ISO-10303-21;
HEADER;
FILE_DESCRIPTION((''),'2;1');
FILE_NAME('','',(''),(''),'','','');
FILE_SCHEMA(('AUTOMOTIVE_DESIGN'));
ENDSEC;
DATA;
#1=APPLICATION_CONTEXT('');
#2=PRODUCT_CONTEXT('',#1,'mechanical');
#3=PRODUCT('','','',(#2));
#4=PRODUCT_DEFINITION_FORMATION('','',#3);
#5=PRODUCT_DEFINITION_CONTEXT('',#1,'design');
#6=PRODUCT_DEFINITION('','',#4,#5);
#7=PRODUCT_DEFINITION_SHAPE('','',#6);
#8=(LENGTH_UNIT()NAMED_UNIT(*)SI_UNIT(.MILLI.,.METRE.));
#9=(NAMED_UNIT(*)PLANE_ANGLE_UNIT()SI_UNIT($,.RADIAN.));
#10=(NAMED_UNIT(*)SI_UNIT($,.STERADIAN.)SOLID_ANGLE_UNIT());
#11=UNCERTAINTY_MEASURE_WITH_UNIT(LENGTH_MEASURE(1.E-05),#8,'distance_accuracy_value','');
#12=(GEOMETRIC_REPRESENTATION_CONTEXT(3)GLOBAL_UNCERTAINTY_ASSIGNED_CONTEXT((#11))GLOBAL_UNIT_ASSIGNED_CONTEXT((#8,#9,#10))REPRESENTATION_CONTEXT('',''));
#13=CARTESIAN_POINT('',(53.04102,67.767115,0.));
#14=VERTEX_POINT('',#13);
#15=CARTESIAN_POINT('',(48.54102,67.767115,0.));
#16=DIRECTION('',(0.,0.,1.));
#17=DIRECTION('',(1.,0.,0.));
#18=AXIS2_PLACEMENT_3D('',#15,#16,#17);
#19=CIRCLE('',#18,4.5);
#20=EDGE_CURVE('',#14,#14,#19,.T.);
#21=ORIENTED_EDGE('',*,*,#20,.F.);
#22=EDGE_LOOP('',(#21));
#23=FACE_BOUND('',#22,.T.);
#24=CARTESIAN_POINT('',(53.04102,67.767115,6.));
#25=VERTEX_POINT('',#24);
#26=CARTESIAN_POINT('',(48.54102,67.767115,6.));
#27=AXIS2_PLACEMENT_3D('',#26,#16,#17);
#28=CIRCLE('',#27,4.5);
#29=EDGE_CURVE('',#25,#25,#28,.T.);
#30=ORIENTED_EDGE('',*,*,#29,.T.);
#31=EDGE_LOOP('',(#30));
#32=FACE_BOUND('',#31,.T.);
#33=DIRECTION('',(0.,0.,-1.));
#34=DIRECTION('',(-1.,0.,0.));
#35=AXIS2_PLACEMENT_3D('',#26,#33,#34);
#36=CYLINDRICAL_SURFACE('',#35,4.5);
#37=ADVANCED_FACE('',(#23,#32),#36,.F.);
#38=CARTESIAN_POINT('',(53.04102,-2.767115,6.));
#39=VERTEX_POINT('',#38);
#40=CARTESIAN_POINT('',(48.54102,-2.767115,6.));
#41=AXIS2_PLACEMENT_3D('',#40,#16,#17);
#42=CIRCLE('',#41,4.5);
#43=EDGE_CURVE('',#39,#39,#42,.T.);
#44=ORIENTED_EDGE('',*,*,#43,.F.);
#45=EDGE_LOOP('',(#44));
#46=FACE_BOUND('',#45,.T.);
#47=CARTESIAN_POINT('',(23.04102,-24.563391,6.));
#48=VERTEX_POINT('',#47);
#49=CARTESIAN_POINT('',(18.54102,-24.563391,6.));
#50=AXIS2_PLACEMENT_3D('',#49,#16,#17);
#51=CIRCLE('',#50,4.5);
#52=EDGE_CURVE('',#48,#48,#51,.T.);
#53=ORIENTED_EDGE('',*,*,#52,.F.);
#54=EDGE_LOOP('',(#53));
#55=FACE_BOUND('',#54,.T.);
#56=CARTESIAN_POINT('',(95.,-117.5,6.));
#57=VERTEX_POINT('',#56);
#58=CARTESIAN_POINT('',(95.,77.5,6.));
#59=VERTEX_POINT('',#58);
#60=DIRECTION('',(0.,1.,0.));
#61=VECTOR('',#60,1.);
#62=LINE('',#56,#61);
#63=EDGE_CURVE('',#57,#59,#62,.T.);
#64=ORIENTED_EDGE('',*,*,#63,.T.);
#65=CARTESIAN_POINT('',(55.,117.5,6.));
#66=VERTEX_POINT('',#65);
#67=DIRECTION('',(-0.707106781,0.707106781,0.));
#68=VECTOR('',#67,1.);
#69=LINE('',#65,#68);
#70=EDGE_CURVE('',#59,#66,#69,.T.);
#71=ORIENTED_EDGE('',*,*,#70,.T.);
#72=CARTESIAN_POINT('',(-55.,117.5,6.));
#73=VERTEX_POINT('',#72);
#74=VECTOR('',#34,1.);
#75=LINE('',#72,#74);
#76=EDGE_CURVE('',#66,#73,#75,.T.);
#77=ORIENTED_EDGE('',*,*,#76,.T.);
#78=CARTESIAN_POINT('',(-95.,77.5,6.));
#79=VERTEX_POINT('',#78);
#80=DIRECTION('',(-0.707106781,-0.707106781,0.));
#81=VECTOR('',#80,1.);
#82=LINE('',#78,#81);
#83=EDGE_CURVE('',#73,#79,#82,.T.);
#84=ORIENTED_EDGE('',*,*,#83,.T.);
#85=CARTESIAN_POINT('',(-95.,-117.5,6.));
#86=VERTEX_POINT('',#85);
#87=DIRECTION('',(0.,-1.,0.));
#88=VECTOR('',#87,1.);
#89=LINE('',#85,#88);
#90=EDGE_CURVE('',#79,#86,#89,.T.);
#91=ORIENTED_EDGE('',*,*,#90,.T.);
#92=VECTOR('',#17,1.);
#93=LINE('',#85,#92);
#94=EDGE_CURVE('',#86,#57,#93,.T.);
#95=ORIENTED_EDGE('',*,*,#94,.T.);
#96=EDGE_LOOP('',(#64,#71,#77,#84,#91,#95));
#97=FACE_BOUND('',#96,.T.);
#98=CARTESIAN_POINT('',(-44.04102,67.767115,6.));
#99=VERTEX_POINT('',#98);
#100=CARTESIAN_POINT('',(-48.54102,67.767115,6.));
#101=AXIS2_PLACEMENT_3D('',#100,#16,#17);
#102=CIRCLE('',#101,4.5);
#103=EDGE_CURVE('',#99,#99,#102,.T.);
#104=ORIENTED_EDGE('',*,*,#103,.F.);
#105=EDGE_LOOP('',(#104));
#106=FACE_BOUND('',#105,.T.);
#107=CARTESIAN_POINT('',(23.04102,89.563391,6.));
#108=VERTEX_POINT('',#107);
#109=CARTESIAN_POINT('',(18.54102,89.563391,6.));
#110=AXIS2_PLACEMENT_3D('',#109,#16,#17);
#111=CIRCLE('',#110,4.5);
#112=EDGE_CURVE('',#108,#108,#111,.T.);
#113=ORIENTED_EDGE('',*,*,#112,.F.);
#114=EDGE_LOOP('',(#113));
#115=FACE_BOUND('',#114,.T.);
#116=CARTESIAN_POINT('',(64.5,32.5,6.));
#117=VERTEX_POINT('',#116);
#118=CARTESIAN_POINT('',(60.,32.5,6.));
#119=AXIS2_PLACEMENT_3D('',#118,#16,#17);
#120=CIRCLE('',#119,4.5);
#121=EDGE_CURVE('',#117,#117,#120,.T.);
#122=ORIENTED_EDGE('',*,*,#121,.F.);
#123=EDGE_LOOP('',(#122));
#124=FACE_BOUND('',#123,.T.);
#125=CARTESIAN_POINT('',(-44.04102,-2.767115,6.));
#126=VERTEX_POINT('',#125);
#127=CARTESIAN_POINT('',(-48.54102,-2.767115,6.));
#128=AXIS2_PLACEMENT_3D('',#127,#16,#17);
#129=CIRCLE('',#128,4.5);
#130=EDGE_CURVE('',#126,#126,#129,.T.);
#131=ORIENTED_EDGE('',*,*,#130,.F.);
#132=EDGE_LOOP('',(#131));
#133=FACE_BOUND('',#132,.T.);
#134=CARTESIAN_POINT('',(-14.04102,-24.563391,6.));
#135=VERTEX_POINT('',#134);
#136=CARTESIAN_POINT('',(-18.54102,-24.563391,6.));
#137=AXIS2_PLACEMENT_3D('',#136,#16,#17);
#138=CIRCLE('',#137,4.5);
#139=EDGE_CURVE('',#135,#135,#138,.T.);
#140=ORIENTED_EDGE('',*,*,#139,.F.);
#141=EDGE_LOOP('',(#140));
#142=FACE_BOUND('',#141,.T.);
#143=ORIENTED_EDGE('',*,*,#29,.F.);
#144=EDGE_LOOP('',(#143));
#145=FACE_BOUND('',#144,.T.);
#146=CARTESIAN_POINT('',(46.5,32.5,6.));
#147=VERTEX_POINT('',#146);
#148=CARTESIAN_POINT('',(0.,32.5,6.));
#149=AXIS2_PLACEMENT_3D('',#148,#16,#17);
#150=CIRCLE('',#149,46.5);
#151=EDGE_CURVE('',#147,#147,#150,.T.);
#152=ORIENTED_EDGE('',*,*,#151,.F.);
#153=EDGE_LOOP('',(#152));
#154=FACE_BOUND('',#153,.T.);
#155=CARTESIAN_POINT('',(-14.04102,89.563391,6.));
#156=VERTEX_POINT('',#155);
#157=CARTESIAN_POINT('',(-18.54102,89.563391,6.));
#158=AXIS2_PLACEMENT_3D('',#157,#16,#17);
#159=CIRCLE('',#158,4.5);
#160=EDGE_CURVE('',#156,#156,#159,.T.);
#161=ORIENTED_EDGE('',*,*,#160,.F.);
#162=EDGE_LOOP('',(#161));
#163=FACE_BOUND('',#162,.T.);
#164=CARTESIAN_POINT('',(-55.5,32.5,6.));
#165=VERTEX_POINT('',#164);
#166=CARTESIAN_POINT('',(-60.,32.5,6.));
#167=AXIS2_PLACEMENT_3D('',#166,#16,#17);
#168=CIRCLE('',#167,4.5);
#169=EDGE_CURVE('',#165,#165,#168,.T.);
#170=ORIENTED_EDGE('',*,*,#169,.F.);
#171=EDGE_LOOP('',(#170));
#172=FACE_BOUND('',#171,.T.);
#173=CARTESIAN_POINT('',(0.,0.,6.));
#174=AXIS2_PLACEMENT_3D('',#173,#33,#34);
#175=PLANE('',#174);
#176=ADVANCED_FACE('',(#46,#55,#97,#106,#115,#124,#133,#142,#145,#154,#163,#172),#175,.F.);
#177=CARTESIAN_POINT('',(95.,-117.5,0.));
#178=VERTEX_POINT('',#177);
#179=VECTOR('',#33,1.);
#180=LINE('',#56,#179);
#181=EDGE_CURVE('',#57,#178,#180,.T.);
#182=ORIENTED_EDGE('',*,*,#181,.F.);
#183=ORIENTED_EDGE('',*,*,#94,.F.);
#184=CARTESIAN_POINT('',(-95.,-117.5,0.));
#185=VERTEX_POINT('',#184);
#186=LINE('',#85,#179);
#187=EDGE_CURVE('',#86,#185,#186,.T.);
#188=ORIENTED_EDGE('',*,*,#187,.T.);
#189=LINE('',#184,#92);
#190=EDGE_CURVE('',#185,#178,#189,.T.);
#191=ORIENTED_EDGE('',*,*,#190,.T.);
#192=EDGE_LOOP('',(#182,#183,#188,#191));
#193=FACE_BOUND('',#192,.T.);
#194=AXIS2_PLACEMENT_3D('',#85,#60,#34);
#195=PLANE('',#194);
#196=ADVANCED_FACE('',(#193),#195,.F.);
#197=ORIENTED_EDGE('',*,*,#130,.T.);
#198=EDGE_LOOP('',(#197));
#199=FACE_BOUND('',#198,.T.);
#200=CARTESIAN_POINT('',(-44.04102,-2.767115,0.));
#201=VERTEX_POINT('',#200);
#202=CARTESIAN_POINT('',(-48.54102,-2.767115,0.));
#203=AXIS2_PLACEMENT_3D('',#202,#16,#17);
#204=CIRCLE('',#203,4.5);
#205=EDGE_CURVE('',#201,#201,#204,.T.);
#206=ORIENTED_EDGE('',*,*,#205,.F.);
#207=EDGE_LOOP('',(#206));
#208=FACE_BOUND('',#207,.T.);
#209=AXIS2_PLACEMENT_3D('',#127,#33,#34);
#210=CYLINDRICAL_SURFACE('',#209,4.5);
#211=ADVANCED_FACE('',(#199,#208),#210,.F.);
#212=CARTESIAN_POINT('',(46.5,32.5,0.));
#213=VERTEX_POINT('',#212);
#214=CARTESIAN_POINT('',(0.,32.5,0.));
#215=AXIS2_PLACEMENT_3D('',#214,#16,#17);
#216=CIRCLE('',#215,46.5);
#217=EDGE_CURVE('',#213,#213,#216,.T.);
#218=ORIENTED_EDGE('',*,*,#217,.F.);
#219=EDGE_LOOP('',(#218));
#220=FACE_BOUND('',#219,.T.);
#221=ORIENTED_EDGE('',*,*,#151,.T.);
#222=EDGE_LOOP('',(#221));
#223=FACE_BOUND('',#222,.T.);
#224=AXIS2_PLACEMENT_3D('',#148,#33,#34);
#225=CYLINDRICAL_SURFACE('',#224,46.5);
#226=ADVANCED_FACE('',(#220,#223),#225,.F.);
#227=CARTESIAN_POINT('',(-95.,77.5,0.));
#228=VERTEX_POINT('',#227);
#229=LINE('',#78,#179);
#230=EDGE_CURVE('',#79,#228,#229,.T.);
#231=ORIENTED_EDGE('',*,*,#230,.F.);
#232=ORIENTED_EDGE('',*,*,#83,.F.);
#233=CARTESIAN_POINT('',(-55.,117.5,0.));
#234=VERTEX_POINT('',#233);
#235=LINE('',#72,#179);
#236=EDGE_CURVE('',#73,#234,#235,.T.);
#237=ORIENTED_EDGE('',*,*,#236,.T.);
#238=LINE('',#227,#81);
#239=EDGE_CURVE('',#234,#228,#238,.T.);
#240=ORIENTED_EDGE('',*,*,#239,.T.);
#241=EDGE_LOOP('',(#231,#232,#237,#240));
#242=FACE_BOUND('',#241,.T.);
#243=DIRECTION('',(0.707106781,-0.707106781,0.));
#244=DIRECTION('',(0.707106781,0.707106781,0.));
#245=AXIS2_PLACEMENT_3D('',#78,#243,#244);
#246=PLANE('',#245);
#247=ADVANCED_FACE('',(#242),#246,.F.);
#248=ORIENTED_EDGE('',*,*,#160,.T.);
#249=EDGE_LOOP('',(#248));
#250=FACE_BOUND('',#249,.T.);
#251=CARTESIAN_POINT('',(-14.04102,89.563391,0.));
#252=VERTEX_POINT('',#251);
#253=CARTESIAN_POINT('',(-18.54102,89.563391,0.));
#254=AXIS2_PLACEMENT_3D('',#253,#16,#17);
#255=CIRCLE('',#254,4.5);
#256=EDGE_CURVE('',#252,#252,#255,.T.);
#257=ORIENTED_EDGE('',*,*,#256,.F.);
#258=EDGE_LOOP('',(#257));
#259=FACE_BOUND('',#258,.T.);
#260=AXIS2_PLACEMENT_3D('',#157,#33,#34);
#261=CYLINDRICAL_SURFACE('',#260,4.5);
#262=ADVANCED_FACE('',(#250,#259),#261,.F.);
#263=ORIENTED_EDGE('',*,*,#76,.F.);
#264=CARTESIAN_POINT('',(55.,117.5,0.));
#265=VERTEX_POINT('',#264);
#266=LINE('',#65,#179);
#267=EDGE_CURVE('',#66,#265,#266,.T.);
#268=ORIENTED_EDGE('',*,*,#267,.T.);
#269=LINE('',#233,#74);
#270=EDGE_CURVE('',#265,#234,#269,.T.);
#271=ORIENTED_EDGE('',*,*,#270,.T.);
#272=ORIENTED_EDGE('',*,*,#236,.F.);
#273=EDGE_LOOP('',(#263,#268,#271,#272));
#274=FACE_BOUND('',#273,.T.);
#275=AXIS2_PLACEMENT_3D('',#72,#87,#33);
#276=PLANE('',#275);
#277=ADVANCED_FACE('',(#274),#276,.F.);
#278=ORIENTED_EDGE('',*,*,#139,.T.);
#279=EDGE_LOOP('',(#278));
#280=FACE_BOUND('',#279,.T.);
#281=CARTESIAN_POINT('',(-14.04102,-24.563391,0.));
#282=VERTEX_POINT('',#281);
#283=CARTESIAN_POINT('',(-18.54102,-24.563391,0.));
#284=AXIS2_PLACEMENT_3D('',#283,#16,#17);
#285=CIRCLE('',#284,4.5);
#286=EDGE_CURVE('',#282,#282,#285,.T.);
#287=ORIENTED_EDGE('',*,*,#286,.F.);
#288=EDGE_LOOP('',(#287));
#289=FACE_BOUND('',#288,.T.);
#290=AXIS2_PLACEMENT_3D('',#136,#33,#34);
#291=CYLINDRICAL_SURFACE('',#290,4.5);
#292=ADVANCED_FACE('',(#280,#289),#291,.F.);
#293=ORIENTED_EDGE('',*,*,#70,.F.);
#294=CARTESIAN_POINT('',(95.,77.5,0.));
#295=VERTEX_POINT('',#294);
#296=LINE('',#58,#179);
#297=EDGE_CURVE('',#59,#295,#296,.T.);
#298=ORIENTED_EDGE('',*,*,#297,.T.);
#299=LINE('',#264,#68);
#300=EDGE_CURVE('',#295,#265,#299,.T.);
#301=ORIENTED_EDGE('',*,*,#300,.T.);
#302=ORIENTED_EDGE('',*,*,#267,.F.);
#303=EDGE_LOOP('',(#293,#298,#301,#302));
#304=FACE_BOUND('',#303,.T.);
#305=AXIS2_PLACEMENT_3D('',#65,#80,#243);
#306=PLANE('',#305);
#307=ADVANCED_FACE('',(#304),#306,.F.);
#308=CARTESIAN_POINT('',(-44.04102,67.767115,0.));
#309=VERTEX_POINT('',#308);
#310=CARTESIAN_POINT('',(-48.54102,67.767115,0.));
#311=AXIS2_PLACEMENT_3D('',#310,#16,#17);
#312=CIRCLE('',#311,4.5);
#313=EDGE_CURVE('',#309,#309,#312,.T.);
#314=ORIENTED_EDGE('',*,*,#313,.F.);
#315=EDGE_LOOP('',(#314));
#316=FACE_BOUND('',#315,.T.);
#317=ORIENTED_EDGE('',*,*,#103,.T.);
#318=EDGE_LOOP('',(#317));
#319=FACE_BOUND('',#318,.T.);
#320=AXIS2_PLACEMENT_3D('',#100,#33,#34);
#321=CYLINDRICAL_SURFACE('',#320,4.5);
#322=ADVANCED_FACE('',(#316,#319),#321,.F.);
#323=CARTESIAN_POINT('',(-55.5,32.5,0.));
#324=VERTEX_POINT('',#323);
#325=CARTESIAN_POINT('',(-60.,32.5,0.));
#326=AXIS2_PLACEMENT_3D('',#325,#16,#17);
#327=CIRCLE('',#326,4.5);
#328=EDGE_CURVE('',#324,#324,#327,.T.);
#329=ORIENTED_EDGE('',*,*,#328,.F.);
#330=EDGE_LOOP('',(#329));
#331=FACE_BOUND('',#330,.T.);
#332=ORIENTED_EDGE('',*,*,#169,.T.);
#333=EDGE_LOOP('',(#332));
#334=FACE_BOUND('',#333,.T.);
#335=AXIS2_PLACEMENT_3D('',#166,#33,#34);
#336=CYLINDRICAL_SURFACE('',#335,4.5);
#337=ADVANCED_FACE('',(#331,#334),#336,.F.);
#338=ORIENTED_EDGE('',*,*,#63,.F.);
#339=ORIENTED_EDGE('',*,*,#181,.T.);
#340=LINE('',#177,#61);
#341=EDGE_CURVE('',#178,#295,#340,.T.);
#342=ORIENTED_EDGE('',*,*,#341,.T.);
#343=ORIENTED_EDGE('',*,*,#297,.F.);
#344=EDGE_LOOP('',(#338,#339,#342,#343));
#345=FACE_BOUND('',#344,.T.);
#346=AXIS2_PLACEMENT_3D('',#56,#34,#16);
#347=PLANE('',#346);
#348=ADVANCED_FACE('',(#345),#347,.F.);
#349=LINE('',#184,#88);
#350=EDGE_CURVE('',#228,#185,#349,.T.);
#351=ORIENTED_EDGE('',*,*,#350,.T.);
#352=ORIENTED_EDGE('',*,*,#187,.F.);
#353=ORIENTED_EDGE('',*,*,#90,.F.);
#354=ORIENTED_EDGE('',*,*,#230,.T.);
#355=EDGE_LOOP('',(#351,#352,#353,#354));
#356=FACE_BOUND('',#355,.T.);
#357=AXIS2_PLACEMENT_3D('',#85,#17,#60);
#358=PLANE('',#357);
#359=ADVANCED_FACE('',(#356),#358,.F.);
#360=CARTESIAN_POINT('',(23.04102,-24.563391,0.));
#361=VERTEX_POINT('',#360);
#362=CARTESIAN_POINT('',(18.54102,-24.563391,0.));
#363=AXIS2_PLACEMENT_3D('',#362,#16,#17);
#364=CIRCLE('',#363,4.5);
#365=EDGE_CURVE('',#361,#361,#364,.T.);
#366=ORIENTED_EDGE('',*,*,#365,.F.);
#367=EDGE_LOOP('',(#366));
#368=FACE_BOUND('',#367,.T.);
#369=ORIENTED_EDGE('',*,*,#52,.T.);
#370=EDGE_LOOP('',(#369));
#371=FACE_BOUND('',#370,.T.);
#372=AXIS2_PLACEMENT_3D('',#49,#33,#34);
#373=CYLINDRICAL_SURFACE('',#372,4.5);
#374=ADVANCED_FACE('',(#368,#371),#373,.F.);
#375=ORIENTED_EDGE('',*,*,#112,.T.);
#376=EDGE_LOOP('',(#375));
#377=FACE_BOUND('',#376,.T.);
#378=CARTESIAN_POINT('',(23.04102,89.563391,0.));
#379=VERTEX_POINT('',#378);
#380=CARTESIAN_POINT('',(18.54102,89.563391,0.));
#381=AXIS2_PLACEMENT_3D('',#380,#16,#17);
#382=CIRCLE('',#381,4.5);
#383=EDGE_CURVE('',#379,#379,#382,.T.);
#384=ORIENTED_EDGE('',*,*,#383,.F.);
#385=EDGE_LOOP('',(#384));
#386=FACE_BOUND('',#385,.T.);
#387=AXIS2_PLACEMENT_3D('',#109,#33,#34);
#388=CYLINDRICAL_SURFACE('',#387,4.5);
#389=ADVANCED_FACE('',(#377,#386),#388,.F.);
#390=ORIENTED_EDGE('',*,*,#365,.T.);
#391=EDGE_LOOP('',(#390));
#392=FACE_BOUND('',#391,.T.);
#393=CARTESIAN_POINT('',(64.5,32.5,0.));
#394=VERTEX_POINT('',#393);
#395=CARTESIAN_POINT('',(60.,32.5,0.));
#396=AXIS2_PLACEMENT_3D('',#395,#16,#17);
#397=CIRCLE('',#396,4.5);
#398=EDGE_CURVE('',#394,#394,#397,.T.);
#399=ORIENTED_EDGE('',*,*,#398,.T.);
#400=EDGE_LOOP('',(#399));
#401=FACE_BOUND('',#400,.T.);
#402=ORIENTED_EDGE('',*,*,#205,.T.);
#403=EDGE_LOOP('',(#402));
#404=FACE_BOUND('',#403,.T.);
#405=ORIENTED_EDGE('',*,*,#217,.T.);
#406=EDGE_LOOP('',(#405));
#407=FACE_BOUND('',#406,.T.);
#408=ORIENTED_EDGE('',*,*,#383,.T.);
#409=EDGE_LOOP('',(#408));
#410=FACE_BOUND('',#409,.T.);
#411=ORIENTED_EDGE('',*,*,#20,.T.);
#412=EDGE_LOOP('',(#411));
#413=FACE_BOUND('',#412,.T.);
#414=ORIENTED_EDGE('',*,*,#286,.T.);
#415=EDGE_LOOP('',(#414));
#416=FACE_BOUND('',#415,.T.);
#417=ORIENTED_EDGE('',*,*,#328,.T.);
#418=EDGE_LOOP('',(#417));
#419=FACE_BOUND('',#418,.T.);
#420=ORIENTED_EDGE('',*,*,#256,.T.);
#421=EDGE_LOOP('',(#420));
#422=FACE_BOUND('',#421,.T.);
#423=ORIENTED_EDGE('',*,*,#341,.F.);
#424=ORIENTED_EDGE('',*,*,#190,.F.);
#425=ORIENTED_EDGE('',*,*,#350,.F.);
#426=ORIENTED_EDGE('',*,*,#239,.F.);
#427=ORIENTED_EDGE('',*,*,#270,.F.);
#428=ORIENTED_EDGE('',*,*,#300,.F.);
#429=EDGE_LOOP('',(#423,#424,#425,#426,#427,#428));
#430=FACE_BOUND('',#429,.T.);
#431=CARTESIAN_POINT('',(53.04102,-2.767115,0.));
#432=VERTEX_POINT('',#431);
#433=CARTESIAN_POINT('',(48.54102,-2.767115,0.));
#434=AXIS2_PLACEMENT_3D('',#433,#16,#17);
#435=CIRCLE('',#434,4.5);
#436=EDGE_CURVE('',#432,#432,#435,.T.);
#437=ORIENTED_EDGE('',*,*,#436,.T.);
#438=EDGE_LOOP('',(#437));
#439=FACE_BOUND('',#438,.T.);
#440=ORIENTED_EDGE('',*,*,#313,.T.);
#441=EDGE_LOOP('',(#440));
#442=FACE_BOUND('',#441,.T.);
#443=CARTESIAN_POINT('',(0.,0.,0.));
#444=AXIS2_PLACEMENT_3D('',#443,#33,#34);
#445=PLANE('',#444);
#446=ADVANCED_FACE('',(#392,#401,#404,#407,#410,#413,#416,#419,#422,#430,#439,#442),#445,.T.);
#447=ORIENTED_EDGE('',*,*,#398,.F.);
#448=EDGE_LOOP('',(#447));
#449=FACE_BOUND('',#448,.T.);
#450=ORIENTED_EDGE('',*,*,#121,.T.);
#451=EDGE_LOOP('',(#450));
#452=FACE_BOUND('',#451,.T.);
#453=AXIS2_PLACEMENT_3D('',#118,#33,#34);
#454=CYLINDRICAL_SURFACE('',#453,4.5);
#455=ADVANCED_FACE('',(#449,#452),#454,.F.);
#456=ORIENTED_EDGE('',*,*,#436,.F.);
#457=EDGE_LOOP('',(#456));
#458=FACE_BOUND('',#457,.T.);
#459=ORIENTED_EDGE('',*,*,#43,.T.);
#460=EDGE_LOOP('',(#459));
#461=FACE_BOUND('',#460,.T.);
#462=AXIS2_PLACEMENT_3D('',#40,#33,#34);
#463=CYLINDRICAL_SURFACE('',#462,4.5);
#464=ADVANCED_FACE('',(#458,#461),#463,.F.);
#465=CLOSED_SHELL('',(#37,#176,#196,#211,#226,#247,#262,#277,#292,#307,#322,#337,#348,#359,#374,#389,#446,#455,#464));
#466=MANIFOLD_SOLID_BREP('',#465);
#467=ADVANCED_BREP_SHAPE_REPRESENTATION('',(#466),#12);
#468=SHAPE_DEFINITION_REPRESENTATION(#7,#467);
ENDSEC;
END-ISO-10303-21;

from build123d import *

# Parameters (mm, degrees)
SKETCH1_R           = 46.5
SKETCH1_R_2         = 4.5
BOSS_EXTRUDE1_DEPTH = 6


with BuildPart() as part:
    # Sketch1 → Boss-Extrude1 (new body)
    with BuildSketch(Plane.XY):
        Polygon((-95, 77.5), (-55, 117.5), (55, 117.5), (95, 77.5), (95, -117.5), (-95, -117.5), align=None)
        with Locations((0, 32.5)):
            Circle(SKETCH1_R, mode=Mode.SUBTRACT)
        with Locations((-60, 32.5)):
            Circle(SKETCH1_R_2, mode=Mode.SUBTRACT)
        with Locations((-48.541019662, 67.767115138)):
            Circle(SKETCH1_R_2, mode=Mode.SUBTRACT)
        with Locations((-18.541019662, 89.563390978)):
            Circle(SKETCH1_R_2, mode=Mode.SUBTRACT)
        with Locations((18.541019662, 89.563390978)):
            Circle(SKETCH1_R_2, mode=Mode.SUBTRACT)
        with Locations((48.541019662, 67.767115138)):
            Circle(SKETCH1_R_2, mode=Mode.SUBTRACT)
        with Locations((60, 32.5)):
            Circle(SKETCH1_R_2, mode=Mode.SUBTRACT)
        with Locations((48.541019662, -2.767115138)):
            Circle(SKETCH1_R_2, mode=Mode.SUBTRACT)
        with Locations((18.541019662, -24.563390978)):
            Circle(SKETCH1_R_2, mode=Mode.SUBTRACT)
        with Locations((-18.541019662, -24.563390978)):
            Circle(SKETCH1_R_2, mode=Mode.SUBTRACT)
        with Locations((-48.541019662, -2.767115138)):
            Circle(SKETCH1_R_2, mode=Mode.SUBTRACT)
    extrude(amount=BOSS_EXTRUDE1_DEPTH)


solid = part.part
